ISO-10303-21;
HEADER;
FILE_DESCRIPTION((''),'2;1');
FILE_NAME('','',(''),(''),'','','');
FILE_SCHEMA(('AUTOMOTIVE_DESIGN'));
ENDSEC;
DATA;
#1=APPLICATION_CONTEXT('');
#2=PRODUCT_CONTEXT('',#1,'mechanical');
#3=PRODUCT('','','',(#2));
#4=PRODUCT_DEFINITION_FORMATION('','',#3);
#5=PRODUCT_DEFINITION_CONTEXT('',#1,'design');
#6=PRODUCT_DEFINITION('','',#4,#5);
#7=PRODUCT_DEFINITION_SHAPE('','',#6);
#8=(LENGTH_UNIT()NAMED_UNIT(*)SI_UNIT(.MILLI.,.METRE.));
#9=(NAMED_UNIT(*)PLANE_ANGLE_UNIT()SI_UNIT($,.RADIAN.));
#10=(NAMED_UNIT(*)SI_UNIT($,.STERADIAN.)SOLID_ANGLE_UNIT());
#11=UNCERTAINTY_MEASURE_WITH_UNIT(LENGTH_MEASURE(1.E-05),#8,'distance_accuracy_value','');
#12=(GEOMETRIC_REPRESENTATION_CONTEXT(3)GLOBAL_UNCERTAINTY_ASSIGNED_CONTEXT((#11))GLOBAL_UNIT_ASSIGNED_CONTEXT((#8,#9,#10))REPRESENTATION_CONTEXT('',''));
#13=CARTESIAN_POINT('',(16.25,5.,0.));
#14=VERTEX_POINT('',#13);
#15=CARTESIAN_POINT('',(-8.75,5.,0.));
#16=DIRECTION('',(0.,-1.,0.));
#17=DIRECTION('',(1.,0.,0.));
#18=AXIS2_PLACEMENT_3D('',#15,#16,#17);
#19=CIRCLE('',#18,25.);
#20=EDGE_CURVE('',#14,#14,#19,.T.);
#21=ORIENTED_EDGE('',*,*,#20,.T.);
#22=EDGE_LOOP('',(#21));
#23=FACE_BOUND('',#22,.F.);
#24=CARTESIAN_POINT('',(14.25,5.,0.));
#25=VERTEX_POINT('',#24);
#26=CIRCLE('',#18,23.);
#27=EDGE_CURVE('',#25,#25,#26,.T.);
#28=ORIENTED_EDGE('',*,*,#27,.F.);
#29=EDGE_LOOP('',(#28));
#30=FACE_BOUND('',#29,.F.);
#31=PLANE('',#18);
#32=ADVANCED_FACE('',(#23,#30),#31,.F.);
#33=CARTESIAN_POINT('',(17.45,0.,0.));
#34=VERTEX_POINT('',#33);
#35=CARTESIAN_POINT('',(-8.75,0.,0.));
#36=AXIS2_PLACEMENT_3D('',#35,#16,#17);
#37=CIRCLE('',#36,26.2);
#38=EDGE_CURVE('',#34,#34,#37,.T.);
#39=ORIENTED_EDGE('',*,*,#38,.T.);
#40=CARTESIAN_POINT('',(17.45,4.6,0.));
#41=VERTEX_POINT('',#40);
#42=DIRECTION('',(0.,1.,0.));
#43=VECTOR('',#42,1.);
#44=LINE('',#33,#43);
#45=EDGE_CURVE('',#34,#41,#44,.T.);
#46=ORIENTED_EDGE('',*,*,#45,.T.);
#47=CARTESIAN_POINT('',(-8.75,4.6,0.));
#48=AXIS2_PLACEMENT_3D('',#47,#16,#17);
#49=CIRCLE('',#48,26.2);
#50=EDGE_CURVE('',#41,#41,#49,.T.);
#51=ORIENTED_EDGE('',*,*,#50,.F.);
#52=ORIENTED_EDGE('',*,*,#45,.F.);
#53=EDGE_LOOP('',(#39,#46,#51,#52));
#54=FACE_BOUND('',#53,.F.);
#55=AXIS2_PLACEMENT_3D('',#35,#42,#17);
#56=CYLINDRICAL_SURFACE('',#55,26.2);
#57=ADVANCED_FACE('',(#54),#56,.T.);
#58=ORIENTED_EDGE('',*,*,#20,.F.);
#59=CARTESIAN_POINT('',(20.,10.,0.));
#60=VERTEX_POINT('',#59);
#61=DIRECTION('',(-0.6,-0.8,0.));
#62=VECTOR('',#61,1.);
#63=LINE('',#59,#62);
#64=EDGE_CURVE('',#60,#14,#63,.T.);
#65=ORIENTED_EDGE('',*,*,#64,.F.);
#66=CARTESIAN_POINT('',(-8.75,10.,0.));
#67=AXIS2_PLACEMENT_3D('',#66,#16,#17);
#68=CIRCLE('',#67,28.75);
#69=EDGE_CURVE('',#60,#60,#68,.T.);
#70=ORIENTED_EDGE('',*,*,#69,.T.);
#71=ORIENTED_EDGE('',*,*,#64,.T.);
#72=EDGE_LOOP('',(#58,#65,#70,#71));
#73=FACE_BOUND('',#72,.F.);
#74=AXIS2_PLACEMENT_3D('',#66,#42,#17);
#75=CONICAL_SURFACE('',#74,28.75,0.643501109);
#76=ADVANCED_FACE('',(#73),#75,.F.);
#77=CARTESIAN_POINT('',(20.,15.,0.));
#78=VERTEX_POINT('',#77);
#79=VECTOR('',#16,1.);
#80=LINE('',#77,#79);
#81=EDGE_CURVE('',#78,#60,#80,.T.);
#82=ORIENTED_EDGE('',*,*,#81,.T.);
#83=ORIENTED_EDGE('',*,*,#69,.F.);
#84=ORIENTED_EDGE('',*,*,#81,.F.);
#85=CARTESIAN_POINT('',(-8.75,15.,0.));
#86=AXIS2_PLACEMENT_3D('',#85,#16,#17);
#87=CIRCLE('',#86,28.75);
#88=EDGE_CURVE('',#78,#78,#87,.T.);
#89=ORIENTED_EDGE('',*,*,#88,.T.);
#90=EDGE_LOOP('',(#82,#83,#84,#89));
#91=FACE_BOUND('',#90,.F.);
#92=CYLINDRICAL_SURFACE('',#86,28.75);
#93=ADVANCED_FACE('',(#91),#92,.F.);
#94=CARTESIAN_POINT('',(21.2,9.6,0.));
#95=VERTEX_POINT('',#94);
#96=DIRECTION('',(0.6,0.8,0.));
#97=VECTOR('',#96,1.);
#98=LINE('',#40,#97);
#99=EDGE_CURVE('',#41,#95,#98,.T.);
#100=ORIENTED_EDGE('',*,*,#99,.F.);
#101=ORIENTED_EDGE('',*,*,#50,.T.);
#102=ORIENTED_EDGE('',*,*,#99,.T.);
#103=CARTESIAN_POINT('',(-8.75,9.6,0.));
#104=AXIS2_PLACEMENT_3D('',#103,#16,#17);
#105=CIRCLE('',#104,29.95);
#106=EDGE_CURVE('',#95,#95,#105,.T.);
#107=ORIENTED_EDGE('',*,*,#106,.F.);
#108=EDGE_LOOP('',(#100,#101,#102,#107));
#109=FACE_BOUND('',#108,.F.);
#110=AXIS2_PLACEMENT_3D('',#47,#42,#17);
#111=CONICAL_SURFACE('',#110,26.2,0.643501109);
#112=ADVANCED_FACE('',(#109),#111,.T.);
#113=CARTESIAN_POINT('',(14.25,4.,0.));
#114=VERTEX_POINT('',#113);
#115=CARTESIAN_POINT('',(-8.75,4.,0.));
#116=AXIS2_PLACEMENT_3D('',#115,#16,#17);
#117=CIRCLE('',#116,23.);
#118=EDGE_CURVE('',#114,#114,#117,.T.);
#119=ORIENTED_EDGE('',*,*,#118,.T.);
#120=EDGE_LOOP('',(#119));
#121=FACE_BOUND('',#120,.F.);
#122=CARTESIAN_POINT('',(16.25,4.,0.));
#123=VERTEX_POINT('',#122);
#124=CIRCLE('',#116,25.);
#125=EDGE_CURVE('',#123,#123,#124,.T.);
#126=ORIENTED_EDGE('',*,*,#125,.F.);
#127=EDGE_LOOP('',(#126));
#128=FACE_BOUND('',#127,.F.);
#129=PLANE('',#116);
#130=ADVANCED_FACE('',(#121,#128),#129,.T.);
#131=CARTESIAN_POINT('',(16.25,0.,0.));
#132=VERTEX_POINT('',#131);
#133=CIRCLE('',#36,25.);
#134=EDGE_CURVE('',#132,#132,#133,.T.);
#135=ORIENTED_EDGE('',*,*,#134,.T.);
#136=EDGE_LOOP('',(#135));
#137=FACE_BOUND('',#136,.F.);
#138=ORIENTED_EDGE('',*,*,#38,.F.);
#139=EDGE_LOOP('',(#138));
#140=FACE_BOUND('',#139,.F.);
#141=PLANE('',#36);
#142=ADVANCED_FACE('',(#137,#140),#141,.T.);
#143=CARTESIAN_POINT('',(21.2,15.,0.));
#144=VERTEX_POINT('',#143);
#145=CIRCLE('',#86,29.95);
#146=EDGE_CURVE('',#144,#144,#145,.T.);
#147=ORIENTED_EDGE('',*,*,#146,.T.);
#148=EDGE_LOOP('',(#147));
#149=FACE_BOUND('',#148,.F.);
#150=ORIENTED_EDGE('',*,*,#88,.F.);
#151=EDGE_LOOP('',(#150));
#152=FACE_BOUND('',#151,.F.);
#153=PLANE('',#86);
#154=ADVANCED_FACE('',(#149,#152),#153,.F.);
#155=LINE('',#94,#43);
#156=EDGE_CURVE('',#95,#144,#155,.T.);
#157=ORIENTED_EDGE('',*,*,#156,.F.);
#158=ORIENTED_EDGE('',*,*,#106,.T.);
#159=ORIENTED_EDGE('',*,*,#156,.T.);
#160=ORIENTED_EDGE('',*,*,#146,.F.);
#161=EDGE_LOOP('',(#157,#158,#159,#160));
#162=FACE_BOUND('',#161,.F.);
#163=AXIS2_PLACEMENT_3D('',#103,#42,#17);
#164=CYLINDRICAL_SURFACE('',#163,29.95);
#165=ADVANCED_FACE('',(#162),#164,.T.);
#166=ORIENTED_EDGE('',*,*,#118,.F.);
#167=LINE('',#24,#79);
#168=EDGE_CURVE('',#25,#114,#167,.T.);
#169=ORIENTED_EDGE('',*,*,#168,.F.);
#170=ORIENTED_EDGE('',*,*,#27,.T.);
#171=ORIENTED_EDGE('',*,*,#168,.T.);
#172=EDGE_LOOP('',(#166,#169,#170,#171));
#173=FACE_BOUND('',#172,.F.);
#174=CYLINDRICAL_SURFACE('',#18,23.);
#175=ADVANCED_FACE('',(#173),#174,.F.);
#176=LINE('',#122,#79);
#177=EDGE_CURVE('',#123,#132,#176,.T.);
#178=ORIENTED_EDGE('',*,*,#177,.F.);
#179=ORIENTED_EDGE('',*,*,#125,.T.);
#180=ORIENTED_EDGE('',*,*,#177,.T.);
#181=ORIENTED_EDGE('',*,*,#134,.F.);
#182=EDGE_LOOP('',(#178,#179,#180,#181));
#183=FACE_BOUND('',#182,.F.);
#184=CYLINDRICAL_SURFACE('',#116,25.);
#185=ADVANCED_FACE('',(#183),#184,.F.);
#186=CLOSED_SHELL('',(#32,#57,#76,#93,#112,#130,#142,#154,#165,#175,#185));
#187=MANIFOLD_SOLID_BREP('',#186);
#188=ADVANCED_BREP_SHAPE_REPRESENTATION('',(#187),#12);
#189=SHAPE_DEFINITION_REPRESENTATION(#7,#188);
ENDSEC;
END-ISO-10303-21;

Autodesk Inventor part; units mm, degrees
ref_plane "YZ Plane" through (0, 0, 0) normal (1, 0, 0) x (0, 1, 0)
ref_plane "XZ Plane" through (0, 0, 0) normal (0, 1, 0) x (-1, 0, 0)
ref_plane "XY Plane" through (0, 0, 0) normal (0, 0, 1) x (1, 0, 0)
sketch "Esquisse2" plane through (0, 0, 0) normal (0, 0, 1) x (1, 0, 0)
  line L0 (-8.75, 36.8757) -> (-8.75, -38.6317)
  line L1 (20, 15) -> (20, 10)
  line L2 (16.25, 4) -> (16.25, 0)
  line L3 (20, 10) -> (16.25, 5)
  line L4 (16.25, 0) -> (17.45, 0)
  line L5 (17.45, 0) -> (17.45, 4.6)
  line L6 (17.45, 4.6) -> (21.2, 9.6)
  line L7 (21.2, 9.6) -> (21.2, 15)
  line L8 (21.2, 15) -> (20, 15)
  line L9 (16.25, 5) -> (14.25, 5)
  line L10 (14.25, 5) -> (14.25, 4)
  line L11 (14.25, 4) -> (16.25, 4)
  line L12 (-14.74, 0) -> (27.19, 0) construction
  line L13 (0, 51.9772) -> (0, -53.7332) construction
  point P0 (0, 0)
  dimension "d0" = 57.5
  dimension "d1" = 50
  dimension "d3" = 5
  dimension "d4" = 5
  dimension "d5" = 5
  dimension "d6" = 1.2
  dimension "d7" = 1.2
  dimension "d8" = 1.2
  dimension "d10" = 1
  dimension "d11" = 2
  dimension "d12" = 143.13
  dimension "d13" = 5
  dimension "d14" = 4.6
  dimension "d15" = 5.4
  dimension "d16" = 0
  dimension "d17" = 20
revolve "Révolution1" add sketch "Esquisse2" angle 360 about axis through (-8.75, 36.8757, 0) along (0, -1, 0)
properties part number "P012_Canon_AdaptCoudeTube"
